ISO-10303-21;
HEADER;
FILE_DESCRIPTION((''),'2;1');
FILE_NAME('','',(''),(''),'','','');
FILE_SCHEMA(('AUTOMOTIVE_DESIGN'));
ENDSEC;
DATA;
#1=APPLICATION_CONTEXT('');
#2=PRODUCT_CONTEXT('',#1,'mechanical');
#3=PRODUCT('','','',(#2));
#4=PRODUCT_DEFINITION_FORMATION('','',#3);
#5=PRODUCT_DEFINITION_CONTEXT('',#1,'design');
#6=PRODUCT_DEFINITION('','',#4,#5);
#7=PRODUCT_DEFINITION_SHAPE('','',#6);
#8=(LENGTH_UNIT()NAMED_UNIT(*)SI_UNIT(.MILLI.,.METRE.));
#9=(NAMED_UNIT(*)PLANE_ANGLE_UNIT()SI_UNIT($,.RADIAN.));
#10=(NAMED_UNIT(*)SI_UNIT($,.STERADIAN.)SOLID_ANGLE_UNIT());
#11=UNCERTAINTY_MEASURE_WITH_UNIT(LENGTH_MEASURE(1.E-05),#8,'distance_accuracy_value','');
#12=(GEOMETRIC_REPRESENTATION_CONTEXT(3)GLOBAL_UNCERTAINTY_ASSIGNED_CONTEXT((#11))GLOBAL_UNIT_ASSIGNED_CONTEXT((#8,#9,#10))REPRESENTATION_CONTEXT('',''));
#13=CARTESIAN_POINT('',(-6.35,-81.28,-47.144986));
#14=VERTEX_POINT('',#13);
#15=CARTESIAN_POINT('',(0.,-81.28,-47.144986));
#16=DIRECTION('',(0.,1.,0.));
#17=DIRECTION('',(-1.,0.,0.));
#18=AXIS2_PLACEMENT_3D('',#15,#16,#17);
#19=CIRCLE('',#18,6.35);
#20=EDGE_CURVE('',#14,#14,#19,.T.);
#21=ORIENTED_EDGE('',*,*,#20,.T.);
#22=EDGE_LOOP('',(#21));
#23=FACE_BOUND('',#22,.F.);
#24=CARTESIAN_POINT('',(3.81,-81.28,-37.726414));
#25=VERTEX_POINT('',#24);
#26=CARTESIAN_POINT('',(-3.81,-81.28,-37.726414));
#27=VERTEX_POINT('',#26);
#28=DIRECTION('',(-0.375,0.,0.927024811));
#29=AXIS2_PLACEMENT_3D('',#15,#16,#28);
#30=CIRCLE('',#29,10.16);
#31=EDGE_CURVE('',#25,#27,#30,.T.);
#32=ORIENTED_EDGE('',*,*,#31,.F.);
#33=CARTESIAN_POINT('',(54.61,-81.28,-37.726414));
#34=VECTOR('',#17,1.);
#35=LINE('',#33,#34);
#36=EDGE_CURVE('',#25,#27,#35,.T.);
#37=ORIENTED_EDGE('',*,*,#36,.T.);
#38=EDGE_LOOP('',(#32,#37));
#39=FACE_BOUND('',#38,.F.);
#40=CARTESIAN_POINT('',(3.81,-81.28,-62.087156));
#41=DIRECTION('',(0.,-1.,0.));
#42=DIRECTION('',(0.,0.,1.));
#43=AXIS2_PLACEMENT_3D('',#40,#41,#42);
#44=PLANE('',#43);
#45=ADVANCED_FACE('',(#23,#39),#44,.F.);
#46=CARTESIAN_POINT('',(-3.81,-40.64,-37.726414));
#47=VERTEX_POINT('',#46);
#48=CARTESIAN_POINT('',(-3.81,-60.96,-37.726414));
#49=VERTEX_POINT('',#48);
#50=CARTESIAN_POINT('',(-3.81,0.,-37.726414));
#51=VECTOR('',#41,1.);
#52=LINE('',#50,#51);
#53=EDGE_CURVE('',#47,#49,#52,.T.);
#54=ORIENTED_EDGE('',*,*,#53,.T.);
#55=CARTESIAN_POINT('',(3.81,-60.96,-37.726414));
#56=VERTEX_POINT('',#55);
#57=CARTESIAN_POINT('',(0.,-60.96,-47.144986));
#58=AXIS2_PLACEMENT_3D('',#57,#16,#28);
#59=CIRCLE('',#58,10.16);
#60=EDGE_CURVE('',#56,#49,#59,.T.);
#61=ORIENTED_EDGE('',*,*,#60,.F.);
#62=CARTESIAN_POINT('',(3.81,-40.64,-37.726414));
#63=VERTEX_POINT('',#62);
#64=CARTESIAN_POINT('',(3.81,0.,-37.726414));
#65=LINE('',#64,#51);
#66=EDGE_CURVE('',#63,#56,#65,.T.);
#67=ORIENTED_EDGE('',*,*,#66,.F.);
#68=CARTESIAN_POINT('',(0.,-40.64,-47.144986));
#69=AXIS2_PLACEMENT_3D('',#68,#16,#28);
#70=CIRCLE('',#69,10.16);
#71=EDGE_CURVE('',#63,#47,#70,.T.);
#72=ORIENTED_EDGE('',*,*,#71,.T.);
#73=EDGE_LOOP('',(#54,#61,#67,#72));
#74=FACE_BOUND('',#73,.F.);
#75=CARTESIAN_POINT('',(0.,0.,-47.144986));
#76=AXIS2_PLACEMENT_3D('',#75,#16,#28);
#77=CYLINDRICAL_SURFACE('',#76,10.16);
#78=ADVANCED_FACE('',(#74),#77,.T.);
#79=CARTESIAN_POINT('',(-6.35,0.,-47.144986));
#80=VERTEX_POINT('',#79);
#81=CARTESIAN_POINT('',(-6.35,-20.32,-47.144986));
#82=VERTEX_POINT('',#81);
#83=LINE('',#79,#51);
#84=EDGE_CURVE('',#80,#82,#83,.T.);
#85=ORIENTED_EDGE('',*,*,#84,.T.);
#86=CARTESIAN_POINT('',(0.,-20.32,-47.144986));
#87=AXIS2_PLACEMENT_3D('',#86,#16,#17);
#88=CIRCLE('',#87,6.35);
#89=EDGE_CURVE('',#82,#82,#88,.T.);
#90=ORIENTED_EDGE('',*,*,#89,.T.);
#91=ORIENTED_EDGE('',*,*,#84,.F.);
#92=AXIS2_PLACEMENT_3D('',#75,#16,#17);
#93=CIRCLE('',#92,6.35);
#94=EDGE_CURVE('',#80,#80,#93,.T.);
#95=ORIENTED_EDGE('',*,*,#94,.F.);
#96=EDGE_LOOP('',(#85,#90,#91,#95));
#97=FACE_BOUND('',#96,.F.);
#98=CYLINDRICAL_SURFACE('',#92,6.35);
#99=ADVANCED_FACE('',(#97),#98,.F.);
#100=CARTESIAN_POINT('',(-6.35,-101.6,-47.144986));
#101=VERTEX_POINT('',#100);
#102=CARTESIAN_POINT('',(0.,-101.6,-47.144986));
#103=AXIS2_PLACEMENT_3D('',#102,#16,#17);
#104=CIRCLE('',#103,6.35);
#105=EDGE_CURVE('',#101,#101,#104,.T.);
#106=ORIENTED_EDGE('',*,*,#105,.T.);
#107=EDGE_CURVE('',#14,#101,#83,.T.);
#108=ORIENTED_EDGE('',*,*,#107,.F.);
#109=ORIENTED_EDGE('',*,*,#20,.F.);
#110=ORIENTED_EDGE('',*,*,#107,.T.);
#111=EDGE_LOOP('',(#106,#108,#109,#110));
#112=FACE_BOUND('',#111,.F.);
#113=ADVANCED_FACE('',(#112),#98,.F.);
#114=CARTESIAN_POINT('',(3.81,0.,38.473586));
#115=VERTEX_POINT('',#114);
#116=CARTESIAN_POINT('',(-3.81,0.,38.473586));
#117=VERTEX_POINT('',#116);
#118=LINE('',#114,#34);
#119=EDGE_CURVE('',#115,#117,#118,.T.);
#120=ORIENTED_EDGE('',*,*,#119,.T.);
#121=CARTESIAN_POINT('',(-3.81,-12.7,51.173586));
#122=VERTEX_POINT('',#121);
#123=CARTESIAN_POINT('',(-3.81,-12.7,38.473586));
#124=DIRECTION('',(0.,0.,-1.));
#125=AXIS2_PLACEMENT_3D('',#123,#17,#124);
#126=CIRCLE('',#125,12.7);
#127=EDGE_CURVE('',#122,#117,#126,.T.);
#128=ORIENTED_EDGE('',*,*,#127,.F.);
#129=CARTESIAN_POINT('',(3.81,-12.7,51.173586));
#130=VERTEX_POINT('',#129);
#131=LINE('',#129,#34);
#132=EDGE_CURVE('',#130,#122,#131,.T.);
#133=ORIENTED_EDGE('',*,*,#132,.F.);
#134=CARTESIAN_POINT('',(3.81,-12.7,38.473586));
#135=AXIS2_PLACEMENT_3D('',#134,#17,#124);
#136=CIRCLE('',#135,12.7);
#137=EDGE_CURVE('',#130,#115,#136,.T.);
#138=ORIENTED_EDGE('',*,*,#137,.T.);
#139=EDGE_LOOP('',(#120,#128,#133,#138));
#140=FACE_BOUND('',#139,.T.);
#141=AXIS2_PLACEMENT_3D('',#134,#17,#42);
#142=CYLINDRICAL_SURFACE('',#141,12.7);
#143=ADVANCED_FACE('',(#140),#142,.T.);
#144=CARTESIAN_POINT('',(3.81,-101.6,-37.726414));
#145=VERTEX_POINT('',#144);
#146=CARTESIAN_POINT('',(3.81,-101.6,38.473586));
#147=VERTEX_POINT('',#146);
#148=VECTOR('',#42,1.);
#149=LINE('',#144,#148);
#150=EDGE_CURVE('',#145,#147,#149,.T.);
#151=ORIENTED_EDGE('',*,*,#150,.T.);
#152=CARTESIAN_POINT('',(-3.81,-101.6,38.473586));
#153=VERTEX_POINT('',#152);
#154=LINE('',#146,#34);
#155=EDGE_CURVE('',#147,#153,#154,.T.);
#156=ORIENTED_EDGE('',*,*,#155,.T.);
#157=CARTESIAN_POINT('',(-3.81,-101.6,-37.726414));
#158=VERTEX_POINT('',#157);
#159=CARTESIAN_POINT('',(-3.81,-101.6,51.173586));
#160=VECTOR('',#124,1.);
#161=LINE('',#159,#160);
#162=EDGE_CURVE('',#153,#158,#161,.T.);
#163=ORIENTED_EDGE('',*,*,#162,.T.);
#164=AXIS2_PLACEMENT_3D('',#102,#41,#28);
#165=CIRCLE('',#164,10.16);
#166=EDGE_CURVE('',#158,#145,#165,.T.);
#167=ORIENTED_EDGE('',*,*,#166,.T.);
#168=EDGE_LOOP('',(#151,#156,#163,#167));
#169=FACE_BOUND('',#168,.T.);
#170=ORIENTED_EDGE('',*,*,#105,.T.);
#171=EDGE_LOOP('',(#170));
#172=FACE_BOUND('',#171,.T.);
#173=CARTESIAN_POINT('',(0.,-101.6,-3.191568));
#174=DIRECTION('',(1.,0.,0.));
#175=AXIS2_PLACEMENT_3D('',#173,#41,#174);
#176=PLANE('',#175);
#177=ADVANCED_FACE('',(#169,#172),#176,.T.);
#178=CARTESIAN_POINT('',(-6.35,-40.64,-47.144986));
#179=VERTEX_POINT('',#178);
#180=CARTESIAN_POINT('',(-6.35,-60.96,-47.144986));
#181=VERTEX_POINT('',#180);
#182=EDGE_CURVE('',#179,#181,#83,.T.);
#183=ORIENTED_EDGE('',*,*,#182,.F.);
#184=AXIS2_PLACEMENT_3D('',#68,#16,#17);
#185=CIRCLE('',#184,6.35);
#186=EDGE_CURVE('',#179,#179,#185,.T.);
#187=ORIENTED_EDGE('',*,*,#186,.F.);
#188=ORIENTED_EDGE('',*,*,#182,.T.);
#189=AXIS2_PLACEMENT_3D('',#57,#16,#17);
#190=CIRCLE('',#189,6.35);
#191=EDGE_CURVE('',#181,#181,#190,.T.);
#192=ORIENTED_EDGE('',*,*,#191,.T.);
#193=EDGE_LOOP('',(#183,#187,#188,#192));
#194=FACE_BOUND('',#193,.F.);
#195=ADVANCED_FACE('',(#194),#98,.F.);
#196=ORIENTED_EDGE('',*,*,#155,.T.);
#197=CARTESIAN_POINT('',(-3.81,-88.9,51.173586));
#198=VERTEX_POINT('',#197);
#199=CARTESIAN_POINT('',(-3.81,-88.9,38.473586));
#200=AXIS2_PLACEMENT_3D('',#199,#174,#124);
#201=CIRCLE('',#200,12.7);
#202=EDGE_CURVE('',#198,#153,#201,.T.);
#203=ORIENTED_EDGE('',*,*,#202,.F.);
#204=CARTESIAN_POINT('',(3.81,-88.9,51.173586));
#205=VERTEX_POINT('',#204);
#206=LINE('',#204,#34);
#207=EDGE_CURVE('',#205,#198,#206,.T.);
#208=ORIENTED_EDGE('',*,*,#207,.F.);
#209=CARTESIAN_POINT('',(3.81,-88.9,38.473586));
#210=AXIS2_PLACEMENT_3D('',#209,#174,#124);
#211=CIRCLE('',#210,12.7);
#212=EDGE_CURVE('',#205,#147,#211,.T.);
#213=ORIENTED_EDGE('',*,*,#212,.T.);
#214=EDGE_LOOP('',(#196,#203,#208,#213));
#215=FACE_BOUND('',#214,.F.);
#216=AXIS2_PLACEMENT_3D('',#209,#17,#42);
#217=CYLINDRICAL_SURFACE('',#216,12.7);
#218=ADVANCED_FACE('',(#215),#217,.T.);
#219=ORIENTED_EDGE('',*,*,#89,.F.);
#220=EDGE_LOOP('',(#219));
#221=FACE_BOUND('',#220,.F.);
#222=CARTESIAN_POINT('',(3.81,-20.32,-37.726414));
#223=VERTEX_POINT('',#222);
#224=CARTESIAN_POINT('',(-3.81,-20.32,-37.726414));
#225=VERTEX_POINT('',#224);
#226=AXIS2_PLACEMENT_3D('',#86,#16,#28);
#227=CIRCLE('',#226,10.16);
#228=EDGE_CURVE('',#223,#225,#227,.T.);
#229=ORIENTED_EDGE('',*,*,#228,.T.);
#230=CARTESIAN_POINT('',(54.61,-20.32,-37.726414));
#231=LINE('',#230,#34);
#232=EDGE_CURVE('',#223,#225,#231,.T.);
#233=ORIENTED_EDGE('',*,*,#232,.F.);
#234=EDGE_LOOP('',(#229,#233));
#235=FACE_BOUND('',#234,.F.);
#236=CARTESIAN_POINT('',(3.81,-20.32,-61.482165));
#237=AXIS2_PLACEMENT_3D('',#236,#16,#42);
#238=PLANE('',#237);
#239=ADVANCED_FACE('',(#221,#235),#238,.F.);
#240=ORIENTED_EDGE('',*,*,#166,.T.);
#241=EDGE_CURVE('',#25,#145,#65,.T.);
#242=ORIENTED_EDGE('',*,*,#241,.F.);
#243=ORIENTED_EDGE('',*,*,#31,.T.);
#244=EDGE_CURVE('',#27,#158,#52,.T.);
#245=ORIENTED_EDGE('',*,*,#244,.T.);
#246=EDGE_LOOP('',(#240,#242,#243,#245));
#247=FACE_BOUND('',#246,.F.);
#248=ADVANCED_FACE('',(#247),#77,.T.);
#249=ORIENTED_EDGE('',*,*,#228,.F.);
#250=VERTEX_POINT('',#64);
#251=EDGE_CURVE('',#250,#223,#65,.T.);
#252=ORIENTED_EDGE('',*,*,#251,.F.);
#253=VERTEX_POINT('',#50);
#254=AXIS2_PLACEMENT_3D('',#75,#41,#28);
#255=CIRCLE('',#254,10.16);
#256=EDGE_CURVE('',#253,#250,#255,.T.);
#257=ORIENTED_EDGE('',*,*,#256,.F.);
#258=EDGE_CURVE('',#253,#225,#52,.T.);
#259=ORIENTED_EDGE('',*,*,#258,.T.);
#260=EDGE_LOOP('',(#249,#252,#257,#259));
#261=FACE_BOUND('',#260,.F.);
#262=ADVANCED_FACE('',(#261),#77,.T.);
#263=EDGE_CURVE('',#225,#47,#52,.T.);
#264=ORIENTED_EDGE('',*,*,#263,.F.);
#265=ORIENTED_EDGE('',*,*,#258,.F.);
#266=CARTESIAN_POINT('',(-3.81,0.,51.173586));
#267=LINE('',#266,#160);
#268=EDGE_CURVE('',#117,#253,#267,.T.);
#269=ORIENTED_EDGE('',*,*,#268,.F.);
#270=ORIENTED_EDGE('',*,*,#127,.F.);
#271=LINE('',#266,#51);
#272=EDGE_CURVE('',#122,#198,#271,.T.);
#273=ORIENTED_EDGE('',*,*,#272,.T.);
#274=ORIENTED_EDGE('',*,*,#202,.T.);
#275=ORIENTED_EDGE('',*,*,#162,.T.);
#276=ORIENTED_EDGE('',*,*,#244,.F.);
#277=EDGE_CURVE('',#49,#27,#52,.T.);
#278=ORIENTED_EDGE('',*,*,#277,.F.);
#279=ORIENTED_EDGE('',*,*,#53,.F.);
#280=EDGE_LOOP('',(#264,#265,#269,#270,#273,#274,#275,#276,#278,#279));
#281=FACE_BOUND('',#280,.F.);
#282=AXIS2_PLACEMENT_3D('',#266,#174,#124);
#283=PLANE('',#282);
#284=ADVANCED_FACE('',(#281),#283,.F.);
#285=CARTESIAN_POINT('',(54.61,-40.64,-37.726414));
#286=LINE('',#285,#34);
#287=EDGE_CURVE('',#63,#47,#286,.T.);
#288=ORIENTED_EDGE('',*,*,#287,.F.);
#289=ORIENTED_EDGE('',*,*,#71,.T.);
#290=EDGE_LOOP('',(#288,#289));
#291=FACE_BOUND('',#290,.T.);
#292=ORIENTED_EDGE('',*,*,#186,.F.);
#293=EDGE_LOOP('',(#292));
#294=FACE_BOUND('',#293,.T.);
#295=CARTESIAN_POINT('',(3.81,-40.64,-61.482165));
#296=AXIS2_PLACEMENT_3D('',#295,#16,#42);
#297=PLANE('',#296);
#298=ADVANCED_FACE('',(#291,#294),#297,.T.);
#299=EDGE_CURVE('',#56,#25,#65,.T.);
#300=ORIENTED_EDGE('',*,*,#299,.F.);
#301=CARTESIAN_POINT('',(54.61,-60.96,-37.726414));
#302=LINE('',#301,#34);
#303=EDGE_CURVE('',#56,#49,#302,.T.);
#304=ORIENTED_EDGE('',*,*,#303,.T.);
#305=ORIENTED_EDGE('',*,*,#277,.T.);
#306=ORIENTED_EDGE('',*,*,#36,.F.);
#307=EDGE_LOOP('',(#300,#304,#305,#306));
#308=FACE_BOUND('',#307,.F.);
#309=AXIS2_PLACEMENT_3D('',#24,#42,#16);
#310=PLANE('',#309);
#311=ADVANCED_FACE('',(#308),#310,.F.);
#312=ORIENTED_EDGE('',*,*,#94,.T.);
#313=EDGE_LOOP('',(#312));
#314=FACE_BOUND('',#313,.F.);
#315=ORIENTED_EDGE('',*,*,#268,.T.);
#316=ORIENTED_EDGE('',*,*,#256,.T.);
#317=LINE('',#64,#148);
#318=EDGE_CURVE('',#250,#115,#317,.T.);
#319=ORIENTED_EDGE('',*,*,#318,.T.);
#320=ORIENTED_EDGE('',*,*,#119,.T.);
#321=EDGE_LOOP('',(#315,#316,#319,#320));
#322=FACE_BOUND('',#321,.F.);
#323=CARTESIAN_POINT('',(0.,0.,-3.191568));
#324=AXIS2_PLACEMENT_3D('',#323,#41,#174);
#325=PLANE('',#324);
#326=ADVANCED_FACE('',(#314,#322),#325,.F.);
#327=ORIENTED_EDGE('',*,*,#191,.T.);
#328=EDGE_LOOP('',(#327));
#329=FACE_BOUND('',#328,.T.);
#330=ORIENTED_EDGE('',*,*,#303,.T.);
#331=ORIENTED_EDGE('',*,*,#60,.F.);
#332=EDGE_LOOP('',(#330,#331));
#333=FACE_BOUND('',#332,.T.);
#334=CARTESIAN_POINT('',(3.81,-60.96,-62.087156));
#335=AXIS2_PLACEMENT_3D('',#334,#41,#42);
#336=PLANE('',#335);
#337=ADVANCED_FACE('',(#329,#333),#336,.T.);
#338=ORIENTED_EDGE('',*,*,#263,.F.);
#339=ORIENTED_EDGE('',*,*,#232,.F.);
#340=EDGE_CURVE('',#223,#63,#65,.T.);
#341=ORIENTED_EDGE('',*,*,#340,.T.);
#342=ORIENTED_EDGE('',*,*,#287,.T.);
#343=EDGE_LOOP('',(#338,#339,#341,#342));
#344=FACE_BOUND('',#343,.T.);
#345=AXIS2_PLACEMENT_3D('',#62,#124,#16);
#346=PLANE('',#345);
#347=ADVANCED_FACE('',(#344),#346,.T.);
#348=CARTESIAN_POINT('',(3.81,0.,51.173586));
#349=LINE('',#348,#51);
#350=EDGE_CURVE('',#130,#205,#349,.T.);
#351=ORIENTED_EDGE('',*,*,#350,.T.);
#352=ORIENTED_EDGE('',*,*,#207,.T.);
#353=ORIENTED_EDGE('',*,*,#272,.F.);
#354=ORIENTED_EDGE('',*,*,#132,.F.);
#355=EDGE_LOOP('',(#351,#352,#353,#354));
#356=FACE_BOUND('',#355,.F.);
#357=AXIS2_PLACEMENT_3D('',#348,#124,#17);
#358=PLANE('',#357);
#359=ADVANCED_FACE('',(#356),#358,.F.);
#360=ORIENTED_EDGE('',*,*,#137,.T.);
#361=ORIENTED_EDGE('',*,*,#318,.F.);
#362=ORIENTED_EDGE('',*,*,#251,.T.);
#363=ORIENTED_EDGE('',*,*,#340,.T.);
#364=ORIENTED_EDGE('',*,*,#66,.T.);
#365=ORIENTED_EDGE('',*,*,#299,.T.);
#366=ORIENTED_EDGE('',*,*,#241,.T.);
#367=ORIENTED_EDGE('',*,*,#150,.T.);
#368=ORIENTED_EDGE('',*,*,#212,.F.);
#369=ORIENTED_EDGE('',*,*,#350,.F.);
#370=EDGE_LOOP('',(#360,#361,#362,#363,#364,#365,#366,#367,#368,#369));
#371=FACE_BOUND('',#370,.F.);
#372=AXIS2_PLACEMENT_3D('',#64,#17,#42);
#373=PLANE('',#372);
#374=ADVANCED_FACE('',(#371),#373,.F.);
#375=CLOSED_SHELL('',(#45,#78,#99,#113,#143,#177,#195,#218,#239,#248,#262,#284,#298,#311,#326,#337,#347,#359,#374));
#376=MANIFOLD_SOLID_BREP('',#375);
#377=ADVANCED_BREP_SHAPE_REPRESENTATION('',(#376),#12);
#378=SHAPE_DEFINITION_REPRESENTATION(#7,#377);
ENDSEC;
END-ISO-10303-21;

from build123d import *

# Parameters (mm, degrees)
F1_DEPTH = 101.6
F2_R     = 12.7
F3_R     = 6.35
F4_DEPTH = 101.601
F5_W     = 20.32
F5_H     = 24.3607418369
F5_H_2   = 23.7557509671
F6_DEPTH = 50.8


with BuildPart() as f1:
    # F0 (on Front) → F1 (new body)
    with BuildSketch(Plane.XZ):
        with BuildLine():
            Line((3.81, 51.1735859583), (-3.81, 51.1735859583))
            Line((-3.81, 51.1735859583), (-3.81, -37.7264140417))
            ThreePointArc((-3.81, -37.7264140417), (0, -57.3049861203), (3.81, -37.7264140417))
            Line((3.81, -37.7264140417), (3.81, 51.1735859583))
        make_face()
    extrude(amount=F1_DEPTH)

    # F2
    f2_edges = [f1.edges().sort_by_distance(p)[0] for p in [
        (0, -101.6, 51.173586),
        (0, 0, 51.173586),
    ]]
    fillet(f2_edges, radius=F2_R)

    # F3 (on face) → F4 (cut, through all)
    with BuildSketch(Plane(origin=(0, 0, 0), x_dir=(-1, 0, 0), z_dir=(0, 1, 0))):
        with Locations((0, -47.1449861203)):
            Circle(F3_R)
    extrude(amount=-F4_DEPTH, mode=Mode.SUBTRACT)

    # F5 (on face) → F6 (cut, symmetric)
    with BuildSketch(Plane.YZ.offset(3.81)):
        with Locations((-71.12, -49.9067849601)):
            Rectangle(F5_W, F5_H)
        with Locations((-30.48, -49.6042895252)):
            Rectangle(F5_W, F5_H_2)
    extrude(amount=F6_DEPTH, both=True, mode=Mode.SUBTRACT)


solid = f1.part
